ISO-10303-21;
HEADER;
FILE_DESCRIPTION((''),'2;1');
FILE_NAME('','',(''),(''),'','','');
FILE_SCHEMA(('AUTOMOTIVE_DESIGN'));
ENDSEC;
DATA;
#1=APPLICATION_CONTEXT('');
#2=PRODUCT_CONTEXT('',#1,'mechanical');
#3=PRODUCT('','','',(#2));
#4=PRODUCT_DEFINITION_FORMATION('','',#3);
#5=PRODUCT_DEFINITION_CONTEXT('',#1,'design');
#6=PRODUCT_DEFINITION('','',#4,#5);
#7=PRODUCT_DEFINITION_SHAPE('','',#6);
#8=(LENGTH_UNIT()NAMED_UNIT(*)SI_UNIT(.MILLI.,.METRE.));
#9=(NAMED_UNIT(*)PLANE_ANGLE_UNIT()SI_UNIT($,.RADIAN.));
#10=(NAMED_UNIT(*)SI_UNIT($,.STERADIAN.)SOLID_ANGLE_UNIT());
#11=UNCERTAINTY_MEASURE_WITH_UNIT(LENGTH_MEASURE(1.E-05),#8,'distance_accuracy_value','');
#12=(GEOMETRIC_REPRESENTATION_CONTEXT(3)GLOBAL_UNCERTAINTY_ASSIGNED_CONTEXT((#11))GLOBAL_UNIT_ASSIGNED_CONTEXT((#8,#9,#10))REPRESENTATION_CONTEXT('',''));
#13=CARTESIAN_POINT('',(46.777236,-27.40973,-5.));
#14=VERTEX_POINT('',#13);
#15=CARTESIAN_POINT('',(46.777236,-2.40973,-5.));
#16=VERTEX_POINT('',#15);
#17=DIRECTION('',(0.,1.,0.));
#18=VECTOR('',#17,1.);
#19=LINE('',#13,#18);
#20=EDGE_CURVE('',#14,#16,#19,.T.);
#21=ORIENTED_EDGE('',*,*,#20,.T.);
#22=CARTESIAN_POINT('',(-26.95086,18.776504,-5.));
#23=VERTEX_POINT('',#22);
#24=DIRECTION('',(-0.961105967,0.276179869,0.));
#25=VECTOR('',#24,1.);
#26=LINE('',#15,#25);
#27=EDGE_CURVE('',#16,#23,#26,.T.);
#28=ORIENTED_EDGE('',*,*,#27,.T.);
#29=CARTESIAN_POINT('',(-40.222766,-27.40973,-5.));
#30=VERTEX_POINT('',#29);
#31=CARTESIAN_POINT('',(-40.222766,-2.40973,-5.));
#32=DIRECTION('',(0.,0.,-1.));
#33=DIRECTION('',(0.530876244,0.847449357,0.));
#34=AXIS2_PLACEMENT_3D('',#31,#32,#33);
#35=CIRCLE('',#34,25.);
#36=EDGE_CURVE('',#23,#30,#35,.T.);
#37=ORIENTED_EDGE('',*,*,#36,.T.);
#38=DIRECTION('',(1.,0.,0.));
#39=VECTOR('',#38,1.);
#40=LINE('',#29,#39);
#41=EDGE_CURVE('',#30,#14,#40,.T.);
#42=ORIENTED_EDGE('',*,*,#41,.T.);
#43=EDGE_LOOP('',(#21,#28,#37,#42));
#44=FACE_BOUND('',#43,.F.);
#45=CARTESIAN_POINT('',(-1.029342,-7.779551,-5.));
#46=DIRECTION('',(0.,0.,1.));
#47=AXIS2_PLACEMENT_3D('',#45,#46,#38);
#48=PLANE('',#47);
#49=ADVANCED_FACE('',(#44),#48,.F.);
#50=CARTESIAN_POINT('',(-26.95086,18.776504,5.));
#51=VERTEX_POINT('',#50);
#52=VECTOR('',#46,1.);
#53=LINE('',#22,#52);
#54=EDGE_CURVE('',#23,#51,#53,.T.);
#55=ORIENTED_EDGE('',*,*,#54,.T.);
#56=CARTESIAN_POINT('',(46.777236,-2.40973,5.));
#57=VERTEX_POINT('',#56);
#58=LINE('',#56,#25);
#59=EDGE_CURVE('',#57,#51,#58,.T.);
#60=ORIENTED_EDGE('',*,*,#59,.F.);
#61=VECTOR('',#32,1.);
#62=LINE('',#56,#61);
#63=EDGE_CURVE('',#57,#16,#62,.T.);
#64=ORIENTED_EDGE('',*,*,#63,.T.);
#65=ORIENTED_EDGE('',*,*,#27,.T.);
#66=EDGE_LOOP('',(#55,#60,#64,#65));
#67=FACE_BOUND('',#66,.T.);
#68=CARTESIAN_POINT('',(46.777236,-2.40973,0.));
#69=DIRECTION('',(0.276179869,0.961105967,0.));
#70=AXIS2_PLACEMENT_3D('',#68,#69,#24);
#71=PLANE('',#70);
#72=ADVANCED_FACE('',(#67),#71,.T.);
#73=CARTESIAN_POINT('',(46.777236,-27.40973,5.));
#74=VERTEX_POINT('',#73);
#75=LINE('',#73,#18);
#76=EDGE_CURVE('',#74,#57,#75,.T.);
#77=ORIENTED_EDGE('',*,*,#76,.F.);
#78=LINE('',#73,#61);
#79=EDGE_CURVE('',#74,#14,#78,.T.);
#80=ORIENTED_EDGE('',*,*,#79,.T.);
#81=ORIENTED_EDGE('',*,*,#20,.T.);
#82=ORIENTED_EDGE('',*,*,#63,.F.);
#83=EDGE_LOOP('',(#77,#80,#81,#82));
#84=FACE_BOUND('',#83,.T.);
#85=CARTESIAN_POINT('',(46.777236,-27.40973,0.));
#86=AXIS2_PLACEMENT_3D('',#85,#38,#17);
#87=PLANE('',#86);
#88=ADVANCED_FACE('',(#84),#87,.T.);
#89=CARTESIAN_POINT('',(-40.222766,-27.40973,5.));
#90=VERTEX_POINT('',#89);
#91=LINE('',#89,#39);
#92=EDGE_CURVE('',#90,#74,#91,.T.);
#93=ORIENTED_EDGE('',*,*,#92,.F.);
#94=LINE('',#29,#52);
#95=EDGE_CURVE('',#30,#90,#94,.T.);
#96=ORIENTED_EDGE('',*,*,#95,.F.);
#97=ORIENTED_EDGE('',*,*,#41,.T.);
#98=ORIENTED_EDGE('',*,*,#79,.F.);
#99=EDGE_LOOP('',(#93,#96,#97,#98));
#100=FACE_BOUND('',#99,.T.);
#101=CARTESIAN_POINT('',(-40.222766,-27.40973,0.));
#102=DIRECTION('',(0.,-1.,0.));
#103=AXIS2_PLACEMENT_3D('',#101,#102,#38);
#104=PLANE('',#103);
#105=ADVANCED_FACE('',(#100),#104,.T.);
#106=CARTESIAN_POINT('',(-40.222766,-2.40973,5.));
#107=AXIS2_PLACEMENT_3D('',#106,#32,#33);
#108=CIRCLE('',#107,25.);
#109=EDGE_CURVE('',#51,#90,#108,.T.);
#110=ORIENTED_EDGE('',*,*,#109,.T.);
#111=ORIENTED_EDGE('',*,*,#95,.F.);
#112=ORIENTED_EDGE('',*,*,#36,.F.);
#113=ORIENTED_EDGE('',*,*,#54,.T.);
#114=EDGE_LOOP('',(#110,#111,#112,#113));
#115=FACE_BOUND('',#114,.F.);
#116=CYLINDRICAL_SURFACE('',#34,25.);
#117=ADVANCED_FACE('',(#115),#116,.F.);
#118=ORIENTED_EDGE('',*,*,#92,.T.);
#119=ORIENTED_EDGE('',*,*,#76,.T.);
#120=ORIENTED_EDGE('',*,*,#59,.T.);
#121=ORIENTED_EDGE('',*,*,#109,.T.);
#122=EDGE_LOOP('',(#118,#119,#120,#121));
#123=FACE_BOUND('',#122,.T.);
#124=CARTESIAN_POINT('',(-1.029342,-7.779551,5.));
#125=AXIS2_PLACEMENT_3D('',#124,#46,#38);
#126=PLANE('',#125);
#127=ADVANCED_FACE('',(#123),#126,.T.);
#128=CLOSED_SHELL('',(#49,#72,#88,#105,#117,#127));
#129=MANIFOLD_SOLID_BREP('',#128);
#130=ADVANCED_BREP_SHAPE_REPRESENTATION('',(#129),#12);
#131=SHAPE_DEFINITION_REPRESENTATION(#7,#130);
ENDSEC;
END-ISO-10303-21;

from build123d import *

# Parameters (mm, degrees)
F1_DEPTH = 5
F3_DEPTH = 25


with BuildPart() as f1:
    # F0 (on Top) → F1 (new body, symmetric)
    with BuildSketch(Plane.XY):
        Polygon((46.777236, -2.40973), (-40.222766, 22.59027), (-40.222766, -27.40973), (46.777236, -27.40973), align=None)
    extrude(amount=F1_DEPTH, both=True)

    # F2 (on face) → F3 (cut)
    with BuildSketch(Plane(origin=(0, 0, -5), x_dir=(1, 0, 0), z_dir=(0, 0, -1))):
        with BuildLine():
            Line((-40.222766, 27.40973), (-40.222766, -22.59027))
            Line((-40.222766, -22.59027), (-26.95086, -18.776504))
            ThreePointArc((-26.95086, -18.776504), (-16.195117, 9.314227), (-40.222766, 27.40973))
        make_face()
    extrude(amount=-F3_DEPTH, mode=Mode.SUBTRACT)


solid = f1.part
